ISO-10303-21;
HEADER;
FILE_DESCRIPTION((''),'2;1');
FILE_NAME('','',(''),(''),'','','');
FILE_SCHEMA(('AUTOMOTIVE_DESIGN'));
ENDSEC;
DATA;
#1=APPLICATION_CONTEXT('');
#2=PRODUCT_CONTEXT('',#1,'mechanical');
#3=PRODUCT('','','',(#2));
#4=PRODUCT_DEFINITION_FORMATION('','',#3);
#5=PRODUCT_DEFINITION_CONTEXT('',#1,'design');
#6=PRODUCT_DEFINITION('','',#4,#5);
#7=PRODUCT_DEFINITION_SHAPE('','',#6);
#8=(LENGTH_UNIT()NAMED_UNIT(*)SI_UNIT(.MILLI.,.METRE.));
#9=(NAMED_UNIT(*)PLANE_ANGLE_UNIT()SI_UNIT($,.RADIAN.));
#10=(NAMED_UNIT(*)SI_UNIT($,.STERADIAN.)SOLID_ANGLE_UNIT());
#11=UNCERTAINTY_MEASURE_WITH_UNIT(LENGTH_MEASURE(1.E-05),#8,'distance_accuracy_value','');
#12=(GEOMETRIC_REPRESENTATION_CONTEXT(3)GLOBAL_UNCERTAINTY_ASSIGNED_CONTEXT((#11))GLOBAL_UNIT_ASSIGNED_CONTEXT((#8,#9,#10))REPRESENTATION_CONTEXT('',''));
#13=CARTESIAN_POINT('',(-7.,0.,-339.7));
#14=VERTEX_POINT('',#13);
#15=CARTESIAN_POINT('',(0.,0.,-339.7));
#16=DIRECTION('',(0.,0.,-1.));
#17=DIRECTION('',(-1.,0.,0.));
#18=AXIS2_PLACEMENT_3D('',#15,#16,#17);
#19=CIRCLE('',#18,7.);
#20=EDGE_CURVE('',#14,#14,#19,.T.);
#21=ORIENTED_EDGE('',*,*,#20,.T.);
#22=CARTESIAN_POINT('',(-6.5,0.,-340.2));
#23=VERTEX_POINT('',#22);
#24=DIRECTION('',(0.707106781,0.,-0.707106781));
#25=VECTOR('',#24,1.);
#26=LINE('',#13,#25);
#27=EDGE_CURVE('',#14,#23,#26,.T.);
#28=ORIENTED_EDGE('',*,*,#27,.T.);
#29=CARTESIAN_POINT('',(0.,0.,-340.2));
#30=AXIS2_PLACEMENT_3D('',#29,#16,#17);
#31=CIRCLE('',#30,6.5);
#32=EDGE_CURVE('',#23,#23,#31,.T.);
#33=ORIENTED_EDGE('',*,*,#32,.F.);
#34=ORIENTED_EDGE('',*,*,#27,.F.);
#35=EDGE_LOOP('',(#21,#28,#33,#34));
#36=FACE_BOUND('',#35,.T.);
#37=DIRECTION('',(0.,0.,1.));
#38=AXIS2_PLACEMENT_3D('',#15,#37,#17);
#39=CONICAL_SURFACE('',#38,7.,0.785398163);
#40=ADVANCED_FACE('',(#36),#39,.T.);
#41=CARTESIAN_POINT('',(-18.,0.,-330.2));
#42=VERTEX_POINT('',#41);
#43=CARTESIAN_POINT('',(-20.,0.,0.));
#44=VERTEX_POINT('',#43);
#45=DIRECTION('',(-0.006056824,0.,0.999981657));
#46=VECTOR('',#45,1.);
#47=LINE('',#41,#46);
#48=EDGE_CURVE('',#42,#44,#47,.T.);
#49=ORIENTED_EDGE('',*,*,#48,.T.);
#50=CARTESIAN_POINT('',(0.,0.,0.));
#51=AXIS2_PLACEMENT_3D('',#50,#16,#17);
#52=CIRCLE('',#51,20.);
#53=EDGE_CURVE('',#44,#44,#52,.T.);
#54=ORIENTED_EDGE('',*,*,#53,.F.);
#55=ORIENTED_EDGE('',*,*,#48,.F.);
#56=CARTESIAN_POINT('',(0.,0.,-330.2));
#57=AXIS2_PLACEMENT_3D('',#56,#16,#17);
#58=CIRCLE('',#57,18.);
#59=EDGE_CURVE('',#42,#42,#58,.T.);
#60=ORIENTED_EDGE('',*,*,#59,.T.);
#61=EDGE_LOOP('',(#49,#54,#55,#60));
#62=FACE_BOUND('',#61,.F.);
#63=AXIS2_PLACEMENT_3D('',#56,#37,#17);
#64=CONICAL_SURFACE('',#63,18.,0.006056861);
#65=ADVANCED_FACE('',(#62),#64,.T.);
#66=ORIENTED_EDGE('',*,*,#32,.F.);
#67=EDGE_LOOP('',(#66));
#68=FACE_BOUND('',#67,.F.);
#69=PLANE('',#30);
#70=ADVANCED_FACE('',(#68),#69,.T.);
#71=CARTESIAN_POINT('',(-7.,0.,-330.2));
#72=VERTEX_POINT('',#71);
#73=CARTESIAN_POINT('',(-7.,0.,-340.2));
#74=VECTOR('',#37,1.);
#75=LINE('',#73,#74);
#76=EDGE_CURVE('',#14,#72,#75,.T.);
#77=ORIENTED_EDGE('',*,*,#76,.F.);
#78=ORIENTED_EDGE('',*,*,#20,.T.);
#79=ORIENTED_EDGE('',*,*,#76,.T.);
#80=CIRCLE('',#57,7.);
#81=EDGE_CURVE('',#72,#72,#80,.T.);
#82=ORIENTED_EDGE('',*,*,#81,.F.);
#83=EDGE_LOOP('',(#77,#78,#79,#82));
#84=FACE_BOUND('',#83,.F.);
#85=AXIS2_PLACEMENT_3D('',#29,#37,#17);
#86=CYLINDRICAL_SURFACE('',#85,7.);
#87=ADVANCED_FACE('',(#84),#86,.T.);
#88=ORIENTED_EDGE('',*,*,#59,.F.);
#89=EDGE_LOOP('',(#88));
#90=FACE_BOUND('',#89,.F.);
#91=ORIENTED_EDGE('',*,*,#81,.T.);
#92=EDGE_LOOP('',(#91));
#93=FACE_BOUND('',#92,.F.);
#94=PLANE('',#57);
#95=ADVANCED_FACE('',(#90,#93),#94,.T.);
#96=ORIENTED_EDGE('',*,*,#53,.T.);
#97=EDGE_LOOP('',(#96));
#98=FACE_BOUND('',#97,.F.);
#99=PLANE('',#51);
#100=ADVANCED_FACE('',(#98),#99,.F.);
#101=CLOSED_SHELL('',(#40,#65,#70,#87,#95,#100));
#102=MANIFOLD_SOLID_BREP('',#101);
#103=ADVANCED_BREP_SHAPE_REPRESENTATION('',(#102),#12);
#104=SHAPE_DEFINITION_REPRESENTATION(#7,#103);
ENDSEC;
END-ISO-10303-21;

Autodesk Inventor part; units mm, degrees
ref_plane "YZ Plane" through (0, 0, 0) normal (1, 0, 0) x (0, 1, 0)
ref_plane "XZ Plane" through (0, 0, 0) normal (0, 1, 0) x (-1, 0, 0)
ref_plane "XY Plane" through (0, 0, 0) normal (0, 0, 1) x (1, 0, 0)
sketch "Sketch1" plane through (0, 0, 0) normal (0, 1, 0) x (-1, 0, 0)
  line L0 (0, 0) -> (0, -340.2)
  line L1 (0, -340.2) -> (7, -340.2)
  line L2 (7, -340.2) -> (7, -330.2)
  line L3 (7, -330.2) -> (18, -330.2)
  line L4 (18, -330.2) -> (20, 0)
  line L5 (20, 0) -> (0, 0)
  dimension "d0" = 10
  dimension "d1" = 18
  dimension "d2" = 7
  dimension "d3" = 330.2
  dimension "d4" = 20
revolve "Revolution1" add sketch "Sketch1" angle 360 about axis through (0, 0, 0) along (0, 0, -1)
chamfer "Chamfer1" distance 0.5 angle 45 1 edges at (7, 0, -340.2)
properties part number "Must"
